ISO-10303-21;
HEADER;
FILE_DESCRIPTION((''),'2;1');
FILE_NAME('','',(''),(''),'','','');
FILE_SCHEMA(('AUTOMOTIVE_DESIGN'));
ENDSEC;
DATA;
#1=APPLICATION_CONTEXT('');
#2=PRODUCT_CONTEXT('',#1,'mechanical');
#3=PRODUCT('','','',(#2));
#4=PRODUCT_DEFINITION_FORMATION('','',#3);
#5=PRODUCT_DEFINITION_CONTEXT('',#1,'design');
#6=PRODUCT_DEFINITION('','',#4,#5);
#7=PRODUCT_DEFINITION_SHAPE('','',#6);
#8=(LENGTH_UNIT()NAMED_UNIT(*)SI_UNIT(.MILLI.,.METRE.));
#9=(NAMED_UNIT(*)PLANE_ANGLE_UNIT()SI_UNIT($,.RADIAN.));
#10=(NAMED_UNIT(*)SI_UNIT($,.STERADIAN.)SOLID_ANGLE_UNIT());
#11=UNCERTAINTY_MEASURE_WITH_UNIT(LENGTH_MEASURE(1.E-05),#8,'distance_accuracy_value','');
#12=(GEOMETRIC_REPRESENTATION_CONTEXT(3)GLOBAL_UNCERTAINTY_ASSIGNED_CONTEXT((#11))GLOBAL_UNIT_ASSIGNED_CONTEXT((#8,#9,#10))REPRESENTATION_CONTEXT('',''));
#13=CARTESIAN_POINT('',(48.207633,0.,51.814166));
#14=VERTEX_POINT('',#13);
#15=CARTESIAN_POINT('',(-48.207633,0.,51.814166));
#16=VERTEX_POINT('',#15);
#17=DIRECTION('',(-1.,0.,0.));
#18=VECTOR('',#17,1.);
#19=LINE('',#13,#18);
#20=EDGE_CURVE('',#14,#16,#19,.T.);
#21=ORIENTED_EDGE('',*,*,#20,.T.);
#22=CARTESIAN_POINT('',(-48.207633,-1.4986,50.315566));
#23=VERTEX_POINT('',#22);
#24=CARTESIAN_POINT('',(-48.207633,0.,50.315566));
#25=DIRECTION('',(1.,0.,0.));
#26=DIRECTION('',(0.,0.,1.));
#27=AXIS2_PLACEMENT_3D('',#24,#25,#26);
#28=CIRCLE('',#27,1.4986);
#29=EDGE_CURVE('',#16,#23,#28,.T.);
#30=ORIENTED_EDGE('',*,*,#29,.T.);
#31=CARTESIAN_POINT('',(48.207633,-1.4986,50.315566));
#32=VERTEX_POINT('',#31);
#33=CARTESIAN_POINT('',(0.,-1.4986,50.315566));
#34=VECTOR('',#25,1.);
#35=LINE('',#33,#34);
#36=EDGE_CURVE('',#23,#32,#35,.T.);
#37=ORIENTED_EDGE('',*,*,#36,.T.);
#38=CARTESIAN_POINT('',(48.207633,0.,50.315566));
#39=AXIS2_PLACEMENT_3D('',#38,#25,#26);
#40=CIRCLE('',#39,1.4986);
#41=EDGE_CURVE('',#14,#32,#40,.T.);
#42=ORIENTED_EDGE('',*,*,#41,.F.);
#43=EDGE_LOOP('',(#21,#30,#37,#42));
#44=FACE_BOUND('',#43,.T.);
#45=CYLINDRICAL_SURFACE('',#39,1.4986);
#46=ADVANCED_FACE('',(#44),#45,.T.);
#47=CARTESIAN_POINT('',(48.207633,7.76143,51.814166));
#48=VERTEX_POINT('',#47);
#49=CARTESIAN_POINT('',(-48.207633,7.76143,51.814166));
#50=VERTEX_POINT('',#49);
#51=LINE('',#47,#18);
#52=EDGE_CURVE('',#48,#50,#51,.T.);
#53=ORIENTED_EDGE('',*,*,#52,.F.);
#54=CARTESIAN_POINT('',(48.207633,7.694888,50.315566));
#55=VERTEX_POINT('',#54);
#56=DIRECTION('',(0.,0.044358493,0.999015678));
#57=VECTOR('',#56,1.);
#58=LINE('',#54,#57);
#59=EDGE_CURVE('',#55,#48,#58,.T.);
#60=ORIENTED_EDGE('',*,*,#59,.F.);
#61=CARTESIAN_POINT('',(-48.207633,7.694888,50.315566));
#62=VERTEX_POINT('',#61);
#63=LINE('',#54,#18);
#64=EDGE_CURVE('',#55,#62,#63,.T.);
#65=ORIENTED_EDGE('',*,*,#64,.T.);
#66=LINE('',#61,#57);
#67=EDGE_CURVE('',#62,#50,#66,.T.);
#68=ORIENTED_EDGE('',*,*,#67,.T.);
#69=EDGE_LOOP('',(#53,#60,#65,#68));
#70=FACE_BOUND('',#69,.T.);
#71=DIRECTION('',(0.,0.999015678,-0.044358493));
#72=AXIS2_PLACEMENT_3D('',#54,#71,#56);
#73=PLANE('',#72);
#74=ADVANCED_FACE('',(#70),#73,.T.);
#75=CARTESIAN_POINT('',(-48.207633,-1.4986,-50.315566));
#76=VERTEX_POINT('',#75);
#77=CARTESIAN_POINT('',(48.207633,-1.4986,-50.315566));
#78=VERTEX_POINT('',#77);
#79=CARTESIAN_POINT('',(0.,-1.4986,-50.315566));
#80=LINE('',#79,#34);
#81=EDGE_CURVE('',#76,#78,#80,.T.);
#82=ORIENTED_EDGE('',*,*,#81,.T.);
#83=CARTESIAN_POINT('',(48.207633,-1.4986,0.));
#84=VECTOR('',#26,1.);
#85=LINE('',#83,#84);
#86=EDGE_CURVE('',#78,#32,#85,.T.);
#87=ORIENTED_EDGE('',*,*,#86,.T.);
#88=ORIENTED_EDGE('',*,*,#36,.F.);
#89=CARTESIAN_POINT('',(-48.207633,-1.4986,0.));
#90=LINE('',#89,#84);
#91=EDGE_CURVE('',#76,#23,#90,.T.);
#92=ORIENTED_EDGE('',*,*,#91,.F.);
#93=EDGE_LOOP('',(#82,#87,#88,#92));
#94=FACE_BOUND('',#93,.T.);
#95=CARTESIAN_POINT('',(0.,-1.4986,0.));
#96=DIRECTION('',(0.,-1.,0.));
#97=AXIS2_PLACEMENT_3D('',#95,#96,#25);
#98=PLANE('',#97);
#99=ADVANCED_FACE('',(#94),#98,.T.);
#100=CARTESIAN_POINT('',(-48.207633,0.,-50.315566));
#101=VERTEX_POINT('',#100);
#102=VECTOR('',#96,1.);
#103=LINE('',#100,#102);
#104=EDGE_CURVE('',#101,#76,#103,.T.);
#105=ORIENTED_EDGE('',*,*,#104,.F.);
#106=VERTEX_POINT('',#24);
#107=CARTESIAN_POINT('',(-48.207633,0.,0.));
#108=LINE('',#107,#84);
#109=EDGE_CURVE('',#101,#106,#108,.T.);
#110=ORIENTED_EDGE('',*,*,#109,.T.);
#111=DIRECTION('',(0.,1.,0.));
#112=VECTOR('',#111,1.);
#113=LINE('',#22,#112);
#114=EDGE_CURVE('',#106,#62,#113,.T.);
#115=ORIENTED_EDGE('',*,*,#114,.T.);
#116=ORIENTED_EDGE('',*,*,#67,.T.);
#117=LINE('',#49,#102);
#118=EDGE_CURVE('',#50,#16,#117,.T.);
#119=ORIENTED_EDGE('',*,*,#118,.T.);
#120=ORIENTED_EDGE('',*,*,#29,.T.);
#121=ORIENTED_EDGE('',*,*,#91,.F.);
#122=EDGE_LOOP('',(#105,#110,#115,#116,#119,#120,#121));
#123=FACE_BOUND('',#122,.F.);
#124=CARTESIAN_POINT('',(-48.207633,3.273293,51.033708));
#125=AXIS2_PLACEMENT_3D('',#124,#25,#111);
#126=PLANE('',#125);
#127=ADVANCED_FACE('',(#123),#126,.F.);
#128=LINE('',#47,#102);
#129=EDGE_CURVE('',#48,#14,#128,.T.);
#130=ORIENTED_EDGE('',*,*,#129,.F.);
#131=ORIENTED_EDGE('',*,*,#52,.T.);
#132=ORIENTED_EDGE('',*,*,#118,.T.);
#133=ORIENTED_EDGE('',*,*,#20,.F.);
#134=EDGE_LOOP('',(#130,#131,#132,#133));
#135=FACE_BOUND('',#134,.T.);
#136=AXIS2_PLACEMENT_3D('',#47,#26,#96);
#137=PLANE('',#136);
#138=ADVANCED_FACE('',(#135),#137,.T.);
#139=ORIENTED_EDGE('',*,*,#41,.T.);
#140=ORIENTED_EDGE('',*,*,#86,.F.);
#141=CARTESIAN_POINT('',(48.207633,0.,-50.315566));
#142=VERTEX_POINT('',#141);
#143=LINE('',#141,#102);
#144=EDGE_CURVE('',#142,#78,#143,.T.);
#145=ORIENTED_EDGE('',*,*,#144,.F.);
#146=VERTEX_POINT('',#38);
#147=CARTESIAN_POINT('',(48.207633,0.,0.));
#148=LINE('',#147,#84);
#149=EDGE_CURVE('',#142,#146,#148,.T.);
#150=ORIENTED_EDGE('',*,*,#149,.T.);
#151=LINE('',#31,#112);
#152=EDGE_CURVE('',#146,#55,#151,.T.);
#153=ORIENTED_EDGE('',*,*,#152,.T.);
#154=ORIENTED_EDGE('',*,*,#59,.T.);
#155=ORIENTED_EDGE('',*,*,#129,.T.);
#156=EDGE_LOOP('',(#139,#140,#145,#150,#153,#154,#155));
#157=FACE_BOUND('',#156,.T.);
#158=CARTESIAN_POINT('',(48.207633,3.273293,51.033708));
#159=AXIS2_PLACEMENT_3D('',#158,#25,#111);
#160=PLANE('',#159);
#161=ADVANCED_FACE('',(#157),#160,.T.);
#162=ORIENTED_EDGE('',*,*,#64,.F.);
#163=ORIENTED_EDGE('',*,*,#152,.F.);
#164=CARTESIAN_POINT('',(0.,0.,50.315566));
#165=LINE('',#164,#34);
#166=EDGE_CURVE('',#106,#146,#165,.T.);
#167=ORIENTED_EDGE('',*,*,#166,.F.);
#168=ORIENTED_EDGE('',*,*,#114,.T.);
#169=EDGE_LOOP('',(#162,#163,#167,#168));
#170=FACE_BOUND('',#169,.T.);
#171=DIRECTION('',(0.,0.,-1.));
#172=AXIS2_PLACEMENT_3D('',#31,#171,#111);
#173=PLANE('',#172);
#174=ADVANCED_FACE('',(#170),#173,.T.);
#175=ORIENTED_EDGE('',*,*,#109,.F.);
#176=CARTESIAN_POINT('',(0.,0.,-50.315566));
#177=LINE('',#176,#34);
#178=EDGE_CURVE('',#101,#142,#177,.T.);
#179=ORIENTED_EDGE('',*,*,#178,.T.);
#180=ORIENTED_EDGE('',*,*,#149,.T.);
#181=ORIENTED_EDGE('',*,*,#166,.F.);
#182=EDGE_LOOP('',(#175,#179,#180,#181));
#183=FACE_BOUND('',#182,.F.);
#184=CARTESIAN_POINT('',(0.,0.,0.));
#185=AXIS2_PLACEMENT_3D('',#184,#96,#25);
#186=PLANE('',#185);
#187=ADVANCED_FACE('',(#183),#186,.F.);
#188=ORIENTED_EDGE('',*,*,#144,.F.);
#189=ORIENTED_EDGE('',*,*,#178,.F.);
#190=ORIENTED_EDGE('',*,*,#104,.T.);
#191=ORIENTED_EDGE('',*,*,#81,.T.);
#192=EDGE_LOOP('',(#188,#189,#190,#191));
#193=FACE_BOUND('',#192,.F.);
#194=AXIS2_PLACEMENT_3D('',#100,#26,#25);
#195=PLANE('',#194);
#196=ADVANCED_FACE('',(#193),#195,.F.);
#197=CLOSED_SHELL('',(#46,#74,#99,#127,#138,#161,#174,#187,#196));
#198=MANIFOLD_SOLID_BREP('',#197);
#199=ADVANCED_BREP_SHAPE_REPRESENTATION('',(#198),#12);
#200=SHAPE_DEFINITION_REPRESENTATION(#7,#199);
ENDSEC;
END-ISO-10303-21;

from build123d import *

# Parameters (mm, degrees)
F0_W     = 96.4152663946
F0_H     = 100.6311327219
F1_DEPTH = 1.4986
F3_DEPTH = 96.4152663946


with BuildPart() as f1:
    # F0 (on Front) → F1 (new body)
    with BuildSketch(Plane.XZ):
        Rectangle(F0_W, F0_H)
    extrude(amount=F1_DEPTH)

    # F2 (on face) → F3 (join, through all)
    with BuildSketch(Plane.YZ.offset(48.2076331973)):
        with BuildLine():
            Line((7.7614295296, 51.814166361), (0, 51.814166361))
            ThreePointArc((0, 51.814166361), (-1.0596702223, 51.3752365832), (-1.4986, 50.315566361))
            Line((-1.4986, 50.315566361), (0, 50.315566361))
            Line((0, 50.315566361), (7.6948883943, 50.315566361))
            Line((7.6948883943, 50.315566361), (7.7614295296, 51.814166361))
        make_face()
    extrude(amount=-F3_DEPTH)


solid = f1.part
